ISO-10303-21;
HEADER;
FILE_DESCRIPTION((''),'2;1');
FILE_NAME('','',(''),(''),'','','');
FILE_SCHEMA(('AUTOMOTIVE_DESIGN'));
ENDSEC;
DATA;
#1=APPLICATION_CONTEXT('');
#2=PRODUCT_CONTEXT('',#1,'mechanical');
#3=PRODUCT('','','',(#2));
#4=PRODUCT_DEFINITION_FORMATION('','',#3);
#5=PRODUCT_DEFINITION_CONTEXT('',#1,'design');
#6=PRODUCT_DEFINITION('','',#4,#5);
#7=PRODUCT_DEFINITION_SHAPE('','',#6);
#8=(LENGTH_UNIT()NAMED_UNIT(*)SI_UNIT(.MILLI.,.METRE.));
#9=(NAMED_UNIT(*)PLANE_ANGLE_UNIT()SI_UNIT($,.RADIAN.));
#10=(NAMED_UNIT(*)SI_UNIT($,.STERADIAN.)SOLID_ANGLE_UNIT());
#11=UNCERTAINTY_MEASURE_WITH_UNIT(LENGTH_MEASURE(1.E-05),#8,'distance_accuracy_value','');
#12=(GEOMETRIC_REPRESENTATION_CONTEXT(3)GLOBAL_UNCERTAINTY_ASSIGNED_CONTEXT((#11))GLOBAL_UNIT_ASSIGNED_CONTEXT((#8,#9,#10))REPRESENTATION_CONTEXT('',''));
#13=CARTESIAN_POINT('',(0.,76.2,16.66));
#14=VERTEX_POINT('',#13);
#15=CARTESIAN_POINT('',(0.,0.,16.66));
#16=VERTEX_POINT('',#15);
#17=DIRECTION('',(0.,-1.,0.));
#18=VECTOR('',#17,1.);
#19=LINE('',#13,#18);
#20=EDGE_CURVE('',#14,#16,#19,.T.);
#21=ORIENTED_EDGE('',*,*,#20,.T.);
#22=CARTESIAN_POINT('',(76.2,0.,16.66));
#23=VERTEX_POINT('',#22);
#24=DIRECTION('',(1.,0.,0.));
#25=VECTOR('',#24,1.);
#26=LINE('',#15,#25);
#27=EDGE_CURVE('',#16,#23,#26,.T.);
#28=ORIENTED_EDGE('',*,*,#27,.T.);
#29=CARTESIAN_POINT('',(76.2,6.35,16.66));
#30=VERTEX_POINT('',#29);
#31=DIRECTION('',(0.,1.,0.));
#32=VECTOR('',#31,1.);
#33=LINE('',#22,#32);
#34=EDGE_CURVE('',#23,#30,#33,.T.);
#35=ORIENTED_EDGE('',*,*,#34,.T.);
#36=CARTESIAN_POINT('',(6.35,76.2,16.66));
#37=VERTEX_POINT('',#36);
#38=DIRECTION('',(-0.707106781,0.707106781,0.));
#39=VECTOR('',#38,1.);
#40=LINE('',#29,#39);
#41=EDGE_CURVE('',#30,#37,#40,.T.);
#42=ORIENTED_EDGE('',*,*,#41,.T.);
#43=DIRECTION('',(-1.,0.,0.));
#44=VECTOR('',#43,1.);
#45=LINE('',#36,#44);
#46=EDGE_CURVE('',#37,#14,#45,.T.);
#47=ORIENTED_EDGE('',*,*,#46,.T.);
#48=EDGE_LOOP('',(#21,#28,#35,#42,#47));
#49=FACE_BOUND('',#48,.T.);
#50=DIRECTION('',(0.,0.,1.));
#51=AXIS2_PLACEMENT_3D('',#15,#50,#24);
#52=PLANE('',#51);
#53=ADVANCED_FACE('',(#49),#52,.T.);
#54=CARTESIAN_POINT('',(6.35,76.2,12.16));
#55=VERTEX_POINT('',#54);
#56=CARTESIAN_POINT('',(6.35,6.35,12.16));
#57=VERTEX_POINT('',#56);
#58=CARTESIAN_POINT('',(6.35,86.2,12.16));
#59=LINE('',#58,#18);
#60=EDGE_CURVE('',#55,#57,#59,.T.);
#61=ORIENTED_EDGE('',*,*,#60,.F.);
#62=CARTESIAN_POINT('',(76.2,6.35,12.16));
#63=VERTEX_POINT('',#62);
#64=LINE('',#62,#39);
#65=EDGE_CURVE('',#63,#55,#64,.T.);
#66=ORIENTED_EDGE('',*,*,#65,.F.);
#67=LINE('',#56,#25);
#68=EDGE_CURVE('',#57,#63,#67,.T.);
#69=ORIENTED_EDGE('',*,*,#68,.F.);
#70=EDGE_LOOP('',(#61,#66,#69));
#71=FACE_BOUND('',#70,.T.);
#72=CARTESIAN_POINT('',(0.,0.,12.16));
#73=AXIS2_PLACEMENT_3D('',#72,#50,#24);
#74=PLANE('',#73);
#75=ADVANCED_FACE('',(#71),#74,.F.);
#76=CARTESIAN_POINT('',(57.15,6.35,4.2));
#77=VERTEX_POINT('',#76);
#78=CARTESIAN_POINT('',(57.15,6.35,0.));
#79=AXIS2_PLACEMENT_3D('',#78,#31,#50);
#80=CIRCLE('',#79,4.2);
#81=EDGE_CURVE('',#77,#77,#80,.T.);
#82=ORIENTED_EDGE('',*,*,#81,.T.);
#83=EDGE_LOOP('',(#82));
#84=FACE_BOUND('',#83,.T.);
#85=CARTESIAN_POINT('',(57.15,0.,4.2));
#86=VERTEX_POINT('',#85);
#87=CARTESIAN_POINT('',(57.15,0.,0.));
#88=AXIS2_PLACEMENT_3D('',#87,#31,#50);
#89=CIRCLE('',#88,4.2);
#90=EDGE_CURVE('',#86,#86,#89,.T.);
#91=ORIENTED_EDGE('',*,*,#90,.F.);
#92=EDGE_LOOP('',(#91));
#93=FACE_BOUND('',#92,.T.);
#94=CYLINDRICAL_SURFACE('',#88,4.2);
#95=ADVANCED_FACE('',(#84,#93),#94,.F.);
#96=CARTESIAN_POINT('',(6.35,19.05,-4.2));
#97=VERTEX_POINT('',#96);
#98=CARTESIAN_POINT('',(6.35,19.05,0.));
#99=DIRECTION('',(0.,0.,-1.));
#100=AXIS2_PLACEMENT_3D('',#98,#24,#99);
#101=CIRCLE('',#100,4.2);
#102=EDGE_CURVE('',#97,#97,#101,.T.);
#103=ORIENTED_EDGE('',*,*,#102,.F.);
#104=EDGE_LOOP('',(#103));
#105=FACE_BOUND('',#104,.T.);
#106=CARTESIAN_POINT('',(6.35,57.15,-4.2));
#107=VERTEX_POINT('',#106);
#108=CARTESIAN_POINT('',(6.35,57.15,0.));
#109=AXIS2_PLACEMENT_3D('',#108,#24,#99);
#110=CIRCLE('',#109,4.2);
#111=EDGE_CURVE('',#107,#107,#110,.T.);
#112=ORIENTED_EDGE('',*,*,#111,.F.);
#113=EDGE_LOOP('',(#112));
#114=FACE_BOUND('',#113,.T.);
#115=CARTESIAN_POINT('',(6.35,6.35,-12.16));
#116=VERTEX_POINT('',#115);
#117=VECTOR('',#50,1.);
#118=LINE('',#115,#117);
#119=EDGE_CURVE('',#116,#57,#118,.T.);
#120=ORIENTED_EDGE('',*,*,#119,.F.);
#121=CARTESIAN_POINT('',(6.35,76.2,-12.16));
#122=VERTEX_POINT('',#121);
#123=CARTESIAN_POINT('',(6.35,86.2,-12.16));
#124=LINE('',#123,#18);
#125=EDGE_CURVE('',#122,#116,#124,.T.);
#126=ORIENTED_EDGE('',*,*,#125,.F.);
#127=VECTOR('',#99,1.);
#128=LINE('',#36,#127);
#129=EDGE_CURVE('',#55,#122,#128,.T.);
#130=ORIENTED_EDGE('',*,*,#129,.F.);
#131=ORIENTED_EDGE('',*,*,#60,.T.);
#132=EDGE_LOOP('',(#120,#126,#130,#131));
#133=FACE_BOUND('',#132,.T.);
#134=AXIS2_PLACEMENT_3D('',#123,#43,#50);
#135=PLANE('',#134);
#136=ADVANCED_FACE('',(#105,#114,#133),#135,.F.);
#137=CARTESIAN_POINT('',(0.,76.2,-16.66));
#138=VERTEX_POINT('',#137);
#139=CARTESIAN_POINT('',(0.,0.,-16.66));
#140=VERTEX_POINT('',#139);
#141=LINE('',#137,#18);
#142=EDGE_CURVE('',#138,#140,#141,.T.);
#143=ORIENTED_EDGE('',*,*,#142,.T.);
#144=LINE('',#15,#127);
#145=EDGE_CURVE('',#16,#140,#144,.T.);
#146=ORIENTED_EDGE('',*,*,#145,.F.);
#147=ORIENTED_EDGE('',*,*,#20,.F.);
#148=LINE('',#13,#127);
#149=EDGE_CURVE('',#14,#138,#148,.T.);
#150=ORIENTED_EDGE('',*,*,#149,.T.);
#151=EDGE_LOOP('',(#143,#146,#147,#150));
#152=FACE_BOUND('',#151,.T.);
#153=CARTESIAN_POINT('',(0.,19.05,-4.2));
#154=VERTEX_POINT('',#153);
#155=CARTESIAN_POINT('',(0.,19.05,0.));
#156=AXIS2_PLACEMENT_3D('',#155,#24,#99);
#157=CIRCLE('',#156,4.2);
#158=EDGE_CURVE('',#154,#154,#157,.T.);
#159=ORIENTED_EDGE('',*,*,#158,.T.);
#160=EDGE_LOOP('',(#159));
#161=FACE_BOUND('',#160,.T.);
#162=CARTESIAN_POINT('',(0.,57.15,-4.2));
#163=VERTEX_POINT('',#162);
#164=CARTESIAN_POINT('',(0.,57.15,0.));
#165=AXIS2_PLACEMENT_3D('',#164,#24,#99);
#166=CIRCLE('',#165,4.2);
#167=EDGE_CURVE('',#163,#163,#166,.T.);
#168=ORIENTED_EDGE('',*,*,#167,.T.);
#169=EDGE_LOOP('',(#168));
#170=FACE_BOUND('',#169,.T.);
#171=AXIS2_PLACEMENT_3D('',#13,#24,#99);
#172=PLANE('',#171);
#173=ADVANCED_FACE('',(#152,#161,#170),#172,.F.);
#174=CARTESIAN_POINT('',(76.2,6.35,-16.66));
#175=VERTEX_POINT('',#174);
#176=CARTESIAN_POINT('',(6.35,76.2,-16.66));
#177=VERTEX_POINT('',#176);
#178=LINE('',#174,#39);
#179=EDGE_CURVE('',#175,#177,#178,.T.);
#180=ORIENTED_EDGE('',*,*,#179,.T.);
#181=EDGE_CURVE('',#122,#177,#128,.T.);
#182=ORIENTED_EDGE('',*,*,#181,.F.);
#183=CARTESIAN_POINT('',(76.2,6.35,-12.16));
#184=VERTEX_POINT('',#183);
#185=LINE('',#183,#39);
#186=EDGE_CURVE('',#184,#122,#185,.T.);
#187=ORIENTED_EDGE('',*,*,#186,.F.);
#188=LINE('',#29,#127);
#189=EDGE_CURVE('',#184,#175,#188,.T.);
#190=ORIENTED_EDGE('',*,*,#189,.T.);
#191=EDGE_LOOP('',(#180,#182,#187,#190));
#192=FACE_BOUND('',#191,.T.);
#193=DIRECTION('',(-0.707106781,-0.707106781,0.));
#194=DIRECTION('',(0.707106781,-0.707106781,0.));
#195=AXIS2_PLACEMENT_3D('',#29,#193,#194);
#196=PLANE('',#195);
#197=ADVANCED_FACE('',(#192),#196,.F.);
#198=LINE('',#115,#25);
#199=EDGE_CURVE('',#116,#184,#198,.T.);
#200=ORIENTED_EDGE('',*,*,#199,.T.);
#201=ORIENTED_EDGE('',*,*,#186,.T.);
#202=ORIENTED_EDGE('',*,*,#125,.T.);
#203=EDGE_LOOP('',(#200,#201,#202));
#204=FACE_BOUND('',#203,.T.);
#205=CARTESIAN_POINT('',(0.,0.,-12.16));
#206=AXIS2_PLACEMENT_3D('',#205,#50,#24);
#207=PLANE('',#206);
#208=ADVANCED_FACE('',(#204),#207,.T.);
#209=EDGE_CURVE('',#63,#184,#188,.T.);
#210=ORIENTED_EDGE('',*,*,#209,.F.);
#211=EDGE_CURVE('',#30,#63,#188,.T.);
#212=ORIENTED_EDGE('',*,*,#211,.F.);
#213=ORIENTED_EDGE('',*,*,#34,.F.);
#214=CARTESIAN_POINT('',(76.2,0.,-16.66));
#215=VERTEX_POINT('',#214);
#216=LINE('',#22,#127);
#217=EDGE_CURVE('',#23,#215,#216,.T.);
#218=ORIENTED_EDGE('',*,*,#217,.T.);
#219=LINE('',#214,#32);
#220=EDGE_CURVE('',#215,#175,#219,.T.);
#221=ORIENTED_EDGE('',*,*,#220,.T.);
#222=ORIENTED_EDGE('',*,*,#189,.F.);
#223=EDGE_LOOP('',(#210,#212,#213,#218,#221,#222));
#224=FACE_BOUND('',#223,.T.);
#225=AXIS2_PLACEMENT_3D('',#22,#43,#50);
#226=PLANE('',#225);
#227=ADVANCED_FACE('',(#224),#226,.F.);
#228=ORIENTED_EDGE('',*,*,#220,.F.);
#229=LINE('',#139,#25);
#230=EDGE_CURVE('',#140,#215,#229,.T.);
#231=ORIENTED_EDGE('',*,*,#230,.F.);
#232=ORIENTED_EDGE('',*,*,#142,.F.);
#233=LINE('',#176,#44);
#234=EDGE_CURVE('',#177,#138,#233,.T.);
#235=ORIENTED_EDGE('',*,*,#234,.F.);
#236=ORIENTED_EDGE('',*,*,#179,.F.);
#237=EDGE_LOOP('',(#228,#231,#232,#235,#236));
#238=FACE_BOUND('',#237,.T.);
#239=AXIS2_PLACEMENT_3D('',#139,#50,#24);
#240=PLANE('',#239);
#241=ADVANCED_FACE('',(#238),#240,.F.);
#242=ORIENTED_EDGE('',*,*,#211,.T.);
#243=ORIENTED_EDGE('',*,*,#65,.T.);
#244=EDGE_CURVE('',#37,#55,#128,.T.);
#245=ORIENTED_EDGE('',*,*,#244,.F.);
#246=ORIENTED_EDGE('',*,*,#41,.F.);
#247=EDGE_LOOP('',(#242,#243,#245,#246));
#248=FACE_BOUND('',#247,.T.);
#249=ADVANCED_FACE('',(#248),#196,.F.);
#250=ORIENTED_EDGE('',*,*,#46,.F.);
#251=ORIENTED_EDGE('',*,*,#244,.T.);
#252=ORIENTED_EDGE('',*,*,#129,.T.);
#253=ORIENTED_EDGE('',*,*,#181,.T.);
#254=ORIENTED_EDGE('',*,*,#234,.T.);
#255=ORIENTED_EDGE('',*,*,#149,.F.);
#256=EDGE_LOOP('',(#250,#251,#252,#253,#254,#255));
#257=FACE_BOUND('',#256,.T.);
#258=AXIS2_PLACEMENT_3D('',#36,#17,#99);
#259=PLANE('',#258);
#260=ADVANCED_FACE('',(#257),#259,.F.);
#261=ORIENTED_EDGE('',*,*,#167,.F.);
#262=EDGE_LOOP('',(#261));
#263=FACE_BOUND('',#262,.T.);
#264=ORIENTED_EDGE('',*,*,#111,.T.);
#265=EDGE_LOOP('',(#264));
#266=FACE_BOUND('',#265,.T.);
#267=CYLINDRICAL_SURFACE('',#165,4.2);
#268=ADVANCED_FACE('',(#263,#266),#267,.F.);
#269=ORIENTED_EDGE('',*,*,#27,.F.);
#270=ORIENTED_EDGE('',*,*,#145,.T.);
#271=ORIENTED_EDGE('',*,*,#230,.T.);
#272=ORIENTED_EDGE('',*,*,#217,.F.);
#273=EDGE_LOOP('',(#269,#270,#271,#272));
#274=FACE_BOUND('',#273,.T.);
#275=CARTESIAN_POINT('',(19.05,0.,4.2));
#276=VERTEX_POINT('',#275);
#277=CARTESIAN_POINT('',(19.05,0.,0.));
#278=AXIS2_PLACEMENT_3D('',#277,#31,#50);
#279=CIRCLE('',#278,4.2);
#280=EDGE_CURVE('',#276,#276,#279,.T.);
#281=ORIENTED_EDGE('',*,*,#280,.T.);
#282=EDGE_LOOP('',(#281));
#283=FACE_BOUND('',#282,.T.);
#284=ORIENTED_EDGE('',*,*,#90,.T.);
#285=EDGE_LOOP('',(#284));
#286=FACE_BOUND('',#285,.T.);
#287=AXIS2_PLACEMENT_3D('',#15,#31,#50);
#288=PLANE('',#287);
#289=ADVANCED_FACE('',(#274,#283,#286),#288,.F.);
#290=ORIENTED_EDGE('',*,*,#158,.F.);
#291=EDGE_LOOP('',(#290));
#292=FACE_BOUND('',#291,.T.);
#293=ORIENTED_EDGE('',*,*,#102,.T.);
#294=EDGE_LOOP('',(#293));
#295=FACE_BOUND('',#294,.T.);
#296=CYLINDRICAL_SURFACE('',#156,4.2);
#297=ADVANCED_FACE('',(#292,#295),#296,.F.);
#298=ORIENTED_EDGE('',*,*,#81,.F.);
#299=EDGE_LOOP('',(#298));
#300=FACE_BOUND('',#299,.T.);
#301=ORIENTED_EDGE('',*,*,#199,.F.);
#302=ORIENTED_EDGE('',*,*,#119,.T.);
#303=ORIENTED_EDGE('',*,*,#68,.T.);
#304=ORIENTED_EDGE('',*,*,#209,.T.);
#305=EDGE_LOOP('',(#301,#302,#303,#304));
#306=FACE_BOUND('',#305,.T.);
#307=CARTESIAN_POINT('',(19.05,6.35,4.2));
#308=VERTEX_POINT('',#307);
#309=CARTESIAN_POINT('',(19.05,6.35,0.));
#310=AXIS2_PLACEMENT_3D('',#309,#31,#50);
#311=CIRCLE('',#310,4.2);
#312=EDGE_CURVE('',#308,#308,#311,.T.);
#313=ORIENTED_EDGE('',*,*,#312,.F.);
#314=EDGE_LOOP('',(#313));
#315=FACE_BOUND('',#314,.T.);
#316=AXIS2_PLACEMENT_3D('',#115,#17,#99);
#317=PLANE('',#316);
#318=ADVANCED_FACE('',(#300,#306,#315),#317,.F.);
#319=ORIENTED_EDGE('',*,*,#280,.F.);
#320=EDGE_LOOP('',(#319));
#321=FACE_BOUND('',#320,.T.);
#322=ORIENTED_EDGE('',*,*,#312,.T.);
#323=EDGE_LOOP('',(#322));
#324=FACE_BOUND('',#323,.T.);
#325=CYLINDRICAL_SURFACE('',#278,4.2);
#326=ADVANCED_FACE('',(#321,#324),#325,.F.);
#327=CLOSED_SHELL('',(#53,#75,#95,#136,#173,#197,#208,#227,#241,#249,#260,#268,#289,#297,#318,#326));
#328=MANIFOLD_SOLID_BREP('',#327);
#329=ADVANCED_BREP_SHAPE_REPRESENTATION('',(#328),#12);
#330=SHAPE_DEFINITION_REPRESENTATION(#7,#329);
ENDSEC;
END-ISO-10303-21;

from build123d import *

# Parameters (mm, degrees)
BODY_DEPTH   = 33.32
POCKET_DEPTH = 24.32
SKETCH3_R    = 4.2
HOLESX_DEPTH = 6.35
SKETCH4_R    = 4.2
HOLESY_DEPTH = 6.35


with BuildPart() as part:
    # Sketch1 → Body (new body)
    with BuildSketch(Plane.XY.offset(-16.66)):
        Polygon((0, 0), (76.2, 0), (76.2, 6.35), (6.35, 76.2), (0, 76.2), align=None)
    extrude(amount=BODY_DEPTH)

    # Sketch2 → Pocket (cut)
    with BuildSketch(Plane.XY.offset(12.16)):
        Polygon((6.35, 6.35), (86.2, 6.35), (6.35, 86.2), align=None)
    extrude(amount=-POCKET_DEPTH, mode=Mode.SUBTRACT)

    # Sketch3 → HolesX (cut)
    with BuildSketch(Plane(origin=(0, 6.35, 0), x_dir=(1, 0, 0), z_dir=(0, 1, 0))):
        with Locations(Location((19.05, 0, 0), (0, 0, 270))):
            Circle(SKETCH3_R)
        with Locations(Location((57.15, 0, 0), (0, 0, 270))):
            Circle(SKETCH3_R)
    extrude(amount=-HOLESX_DEPTH, mode=Mode.SUBTRACT)

    # Sketch4 → HolesY (cut)
    with BuildSketch(Plane(origin=(6.35, 0, 0), x_dir=(0, 0, -1), z_dir=(1, 0, 0))):
        with Locations((0, 19.05)):
            Circle(SKETCH4_R)
        with Locations((0, 57.15)):
            Circle(SKETCH4_R)
    extrude(amount=-HOLESY_DEPTH, mode=Mode.SUBTRACT)


solid = part.part
